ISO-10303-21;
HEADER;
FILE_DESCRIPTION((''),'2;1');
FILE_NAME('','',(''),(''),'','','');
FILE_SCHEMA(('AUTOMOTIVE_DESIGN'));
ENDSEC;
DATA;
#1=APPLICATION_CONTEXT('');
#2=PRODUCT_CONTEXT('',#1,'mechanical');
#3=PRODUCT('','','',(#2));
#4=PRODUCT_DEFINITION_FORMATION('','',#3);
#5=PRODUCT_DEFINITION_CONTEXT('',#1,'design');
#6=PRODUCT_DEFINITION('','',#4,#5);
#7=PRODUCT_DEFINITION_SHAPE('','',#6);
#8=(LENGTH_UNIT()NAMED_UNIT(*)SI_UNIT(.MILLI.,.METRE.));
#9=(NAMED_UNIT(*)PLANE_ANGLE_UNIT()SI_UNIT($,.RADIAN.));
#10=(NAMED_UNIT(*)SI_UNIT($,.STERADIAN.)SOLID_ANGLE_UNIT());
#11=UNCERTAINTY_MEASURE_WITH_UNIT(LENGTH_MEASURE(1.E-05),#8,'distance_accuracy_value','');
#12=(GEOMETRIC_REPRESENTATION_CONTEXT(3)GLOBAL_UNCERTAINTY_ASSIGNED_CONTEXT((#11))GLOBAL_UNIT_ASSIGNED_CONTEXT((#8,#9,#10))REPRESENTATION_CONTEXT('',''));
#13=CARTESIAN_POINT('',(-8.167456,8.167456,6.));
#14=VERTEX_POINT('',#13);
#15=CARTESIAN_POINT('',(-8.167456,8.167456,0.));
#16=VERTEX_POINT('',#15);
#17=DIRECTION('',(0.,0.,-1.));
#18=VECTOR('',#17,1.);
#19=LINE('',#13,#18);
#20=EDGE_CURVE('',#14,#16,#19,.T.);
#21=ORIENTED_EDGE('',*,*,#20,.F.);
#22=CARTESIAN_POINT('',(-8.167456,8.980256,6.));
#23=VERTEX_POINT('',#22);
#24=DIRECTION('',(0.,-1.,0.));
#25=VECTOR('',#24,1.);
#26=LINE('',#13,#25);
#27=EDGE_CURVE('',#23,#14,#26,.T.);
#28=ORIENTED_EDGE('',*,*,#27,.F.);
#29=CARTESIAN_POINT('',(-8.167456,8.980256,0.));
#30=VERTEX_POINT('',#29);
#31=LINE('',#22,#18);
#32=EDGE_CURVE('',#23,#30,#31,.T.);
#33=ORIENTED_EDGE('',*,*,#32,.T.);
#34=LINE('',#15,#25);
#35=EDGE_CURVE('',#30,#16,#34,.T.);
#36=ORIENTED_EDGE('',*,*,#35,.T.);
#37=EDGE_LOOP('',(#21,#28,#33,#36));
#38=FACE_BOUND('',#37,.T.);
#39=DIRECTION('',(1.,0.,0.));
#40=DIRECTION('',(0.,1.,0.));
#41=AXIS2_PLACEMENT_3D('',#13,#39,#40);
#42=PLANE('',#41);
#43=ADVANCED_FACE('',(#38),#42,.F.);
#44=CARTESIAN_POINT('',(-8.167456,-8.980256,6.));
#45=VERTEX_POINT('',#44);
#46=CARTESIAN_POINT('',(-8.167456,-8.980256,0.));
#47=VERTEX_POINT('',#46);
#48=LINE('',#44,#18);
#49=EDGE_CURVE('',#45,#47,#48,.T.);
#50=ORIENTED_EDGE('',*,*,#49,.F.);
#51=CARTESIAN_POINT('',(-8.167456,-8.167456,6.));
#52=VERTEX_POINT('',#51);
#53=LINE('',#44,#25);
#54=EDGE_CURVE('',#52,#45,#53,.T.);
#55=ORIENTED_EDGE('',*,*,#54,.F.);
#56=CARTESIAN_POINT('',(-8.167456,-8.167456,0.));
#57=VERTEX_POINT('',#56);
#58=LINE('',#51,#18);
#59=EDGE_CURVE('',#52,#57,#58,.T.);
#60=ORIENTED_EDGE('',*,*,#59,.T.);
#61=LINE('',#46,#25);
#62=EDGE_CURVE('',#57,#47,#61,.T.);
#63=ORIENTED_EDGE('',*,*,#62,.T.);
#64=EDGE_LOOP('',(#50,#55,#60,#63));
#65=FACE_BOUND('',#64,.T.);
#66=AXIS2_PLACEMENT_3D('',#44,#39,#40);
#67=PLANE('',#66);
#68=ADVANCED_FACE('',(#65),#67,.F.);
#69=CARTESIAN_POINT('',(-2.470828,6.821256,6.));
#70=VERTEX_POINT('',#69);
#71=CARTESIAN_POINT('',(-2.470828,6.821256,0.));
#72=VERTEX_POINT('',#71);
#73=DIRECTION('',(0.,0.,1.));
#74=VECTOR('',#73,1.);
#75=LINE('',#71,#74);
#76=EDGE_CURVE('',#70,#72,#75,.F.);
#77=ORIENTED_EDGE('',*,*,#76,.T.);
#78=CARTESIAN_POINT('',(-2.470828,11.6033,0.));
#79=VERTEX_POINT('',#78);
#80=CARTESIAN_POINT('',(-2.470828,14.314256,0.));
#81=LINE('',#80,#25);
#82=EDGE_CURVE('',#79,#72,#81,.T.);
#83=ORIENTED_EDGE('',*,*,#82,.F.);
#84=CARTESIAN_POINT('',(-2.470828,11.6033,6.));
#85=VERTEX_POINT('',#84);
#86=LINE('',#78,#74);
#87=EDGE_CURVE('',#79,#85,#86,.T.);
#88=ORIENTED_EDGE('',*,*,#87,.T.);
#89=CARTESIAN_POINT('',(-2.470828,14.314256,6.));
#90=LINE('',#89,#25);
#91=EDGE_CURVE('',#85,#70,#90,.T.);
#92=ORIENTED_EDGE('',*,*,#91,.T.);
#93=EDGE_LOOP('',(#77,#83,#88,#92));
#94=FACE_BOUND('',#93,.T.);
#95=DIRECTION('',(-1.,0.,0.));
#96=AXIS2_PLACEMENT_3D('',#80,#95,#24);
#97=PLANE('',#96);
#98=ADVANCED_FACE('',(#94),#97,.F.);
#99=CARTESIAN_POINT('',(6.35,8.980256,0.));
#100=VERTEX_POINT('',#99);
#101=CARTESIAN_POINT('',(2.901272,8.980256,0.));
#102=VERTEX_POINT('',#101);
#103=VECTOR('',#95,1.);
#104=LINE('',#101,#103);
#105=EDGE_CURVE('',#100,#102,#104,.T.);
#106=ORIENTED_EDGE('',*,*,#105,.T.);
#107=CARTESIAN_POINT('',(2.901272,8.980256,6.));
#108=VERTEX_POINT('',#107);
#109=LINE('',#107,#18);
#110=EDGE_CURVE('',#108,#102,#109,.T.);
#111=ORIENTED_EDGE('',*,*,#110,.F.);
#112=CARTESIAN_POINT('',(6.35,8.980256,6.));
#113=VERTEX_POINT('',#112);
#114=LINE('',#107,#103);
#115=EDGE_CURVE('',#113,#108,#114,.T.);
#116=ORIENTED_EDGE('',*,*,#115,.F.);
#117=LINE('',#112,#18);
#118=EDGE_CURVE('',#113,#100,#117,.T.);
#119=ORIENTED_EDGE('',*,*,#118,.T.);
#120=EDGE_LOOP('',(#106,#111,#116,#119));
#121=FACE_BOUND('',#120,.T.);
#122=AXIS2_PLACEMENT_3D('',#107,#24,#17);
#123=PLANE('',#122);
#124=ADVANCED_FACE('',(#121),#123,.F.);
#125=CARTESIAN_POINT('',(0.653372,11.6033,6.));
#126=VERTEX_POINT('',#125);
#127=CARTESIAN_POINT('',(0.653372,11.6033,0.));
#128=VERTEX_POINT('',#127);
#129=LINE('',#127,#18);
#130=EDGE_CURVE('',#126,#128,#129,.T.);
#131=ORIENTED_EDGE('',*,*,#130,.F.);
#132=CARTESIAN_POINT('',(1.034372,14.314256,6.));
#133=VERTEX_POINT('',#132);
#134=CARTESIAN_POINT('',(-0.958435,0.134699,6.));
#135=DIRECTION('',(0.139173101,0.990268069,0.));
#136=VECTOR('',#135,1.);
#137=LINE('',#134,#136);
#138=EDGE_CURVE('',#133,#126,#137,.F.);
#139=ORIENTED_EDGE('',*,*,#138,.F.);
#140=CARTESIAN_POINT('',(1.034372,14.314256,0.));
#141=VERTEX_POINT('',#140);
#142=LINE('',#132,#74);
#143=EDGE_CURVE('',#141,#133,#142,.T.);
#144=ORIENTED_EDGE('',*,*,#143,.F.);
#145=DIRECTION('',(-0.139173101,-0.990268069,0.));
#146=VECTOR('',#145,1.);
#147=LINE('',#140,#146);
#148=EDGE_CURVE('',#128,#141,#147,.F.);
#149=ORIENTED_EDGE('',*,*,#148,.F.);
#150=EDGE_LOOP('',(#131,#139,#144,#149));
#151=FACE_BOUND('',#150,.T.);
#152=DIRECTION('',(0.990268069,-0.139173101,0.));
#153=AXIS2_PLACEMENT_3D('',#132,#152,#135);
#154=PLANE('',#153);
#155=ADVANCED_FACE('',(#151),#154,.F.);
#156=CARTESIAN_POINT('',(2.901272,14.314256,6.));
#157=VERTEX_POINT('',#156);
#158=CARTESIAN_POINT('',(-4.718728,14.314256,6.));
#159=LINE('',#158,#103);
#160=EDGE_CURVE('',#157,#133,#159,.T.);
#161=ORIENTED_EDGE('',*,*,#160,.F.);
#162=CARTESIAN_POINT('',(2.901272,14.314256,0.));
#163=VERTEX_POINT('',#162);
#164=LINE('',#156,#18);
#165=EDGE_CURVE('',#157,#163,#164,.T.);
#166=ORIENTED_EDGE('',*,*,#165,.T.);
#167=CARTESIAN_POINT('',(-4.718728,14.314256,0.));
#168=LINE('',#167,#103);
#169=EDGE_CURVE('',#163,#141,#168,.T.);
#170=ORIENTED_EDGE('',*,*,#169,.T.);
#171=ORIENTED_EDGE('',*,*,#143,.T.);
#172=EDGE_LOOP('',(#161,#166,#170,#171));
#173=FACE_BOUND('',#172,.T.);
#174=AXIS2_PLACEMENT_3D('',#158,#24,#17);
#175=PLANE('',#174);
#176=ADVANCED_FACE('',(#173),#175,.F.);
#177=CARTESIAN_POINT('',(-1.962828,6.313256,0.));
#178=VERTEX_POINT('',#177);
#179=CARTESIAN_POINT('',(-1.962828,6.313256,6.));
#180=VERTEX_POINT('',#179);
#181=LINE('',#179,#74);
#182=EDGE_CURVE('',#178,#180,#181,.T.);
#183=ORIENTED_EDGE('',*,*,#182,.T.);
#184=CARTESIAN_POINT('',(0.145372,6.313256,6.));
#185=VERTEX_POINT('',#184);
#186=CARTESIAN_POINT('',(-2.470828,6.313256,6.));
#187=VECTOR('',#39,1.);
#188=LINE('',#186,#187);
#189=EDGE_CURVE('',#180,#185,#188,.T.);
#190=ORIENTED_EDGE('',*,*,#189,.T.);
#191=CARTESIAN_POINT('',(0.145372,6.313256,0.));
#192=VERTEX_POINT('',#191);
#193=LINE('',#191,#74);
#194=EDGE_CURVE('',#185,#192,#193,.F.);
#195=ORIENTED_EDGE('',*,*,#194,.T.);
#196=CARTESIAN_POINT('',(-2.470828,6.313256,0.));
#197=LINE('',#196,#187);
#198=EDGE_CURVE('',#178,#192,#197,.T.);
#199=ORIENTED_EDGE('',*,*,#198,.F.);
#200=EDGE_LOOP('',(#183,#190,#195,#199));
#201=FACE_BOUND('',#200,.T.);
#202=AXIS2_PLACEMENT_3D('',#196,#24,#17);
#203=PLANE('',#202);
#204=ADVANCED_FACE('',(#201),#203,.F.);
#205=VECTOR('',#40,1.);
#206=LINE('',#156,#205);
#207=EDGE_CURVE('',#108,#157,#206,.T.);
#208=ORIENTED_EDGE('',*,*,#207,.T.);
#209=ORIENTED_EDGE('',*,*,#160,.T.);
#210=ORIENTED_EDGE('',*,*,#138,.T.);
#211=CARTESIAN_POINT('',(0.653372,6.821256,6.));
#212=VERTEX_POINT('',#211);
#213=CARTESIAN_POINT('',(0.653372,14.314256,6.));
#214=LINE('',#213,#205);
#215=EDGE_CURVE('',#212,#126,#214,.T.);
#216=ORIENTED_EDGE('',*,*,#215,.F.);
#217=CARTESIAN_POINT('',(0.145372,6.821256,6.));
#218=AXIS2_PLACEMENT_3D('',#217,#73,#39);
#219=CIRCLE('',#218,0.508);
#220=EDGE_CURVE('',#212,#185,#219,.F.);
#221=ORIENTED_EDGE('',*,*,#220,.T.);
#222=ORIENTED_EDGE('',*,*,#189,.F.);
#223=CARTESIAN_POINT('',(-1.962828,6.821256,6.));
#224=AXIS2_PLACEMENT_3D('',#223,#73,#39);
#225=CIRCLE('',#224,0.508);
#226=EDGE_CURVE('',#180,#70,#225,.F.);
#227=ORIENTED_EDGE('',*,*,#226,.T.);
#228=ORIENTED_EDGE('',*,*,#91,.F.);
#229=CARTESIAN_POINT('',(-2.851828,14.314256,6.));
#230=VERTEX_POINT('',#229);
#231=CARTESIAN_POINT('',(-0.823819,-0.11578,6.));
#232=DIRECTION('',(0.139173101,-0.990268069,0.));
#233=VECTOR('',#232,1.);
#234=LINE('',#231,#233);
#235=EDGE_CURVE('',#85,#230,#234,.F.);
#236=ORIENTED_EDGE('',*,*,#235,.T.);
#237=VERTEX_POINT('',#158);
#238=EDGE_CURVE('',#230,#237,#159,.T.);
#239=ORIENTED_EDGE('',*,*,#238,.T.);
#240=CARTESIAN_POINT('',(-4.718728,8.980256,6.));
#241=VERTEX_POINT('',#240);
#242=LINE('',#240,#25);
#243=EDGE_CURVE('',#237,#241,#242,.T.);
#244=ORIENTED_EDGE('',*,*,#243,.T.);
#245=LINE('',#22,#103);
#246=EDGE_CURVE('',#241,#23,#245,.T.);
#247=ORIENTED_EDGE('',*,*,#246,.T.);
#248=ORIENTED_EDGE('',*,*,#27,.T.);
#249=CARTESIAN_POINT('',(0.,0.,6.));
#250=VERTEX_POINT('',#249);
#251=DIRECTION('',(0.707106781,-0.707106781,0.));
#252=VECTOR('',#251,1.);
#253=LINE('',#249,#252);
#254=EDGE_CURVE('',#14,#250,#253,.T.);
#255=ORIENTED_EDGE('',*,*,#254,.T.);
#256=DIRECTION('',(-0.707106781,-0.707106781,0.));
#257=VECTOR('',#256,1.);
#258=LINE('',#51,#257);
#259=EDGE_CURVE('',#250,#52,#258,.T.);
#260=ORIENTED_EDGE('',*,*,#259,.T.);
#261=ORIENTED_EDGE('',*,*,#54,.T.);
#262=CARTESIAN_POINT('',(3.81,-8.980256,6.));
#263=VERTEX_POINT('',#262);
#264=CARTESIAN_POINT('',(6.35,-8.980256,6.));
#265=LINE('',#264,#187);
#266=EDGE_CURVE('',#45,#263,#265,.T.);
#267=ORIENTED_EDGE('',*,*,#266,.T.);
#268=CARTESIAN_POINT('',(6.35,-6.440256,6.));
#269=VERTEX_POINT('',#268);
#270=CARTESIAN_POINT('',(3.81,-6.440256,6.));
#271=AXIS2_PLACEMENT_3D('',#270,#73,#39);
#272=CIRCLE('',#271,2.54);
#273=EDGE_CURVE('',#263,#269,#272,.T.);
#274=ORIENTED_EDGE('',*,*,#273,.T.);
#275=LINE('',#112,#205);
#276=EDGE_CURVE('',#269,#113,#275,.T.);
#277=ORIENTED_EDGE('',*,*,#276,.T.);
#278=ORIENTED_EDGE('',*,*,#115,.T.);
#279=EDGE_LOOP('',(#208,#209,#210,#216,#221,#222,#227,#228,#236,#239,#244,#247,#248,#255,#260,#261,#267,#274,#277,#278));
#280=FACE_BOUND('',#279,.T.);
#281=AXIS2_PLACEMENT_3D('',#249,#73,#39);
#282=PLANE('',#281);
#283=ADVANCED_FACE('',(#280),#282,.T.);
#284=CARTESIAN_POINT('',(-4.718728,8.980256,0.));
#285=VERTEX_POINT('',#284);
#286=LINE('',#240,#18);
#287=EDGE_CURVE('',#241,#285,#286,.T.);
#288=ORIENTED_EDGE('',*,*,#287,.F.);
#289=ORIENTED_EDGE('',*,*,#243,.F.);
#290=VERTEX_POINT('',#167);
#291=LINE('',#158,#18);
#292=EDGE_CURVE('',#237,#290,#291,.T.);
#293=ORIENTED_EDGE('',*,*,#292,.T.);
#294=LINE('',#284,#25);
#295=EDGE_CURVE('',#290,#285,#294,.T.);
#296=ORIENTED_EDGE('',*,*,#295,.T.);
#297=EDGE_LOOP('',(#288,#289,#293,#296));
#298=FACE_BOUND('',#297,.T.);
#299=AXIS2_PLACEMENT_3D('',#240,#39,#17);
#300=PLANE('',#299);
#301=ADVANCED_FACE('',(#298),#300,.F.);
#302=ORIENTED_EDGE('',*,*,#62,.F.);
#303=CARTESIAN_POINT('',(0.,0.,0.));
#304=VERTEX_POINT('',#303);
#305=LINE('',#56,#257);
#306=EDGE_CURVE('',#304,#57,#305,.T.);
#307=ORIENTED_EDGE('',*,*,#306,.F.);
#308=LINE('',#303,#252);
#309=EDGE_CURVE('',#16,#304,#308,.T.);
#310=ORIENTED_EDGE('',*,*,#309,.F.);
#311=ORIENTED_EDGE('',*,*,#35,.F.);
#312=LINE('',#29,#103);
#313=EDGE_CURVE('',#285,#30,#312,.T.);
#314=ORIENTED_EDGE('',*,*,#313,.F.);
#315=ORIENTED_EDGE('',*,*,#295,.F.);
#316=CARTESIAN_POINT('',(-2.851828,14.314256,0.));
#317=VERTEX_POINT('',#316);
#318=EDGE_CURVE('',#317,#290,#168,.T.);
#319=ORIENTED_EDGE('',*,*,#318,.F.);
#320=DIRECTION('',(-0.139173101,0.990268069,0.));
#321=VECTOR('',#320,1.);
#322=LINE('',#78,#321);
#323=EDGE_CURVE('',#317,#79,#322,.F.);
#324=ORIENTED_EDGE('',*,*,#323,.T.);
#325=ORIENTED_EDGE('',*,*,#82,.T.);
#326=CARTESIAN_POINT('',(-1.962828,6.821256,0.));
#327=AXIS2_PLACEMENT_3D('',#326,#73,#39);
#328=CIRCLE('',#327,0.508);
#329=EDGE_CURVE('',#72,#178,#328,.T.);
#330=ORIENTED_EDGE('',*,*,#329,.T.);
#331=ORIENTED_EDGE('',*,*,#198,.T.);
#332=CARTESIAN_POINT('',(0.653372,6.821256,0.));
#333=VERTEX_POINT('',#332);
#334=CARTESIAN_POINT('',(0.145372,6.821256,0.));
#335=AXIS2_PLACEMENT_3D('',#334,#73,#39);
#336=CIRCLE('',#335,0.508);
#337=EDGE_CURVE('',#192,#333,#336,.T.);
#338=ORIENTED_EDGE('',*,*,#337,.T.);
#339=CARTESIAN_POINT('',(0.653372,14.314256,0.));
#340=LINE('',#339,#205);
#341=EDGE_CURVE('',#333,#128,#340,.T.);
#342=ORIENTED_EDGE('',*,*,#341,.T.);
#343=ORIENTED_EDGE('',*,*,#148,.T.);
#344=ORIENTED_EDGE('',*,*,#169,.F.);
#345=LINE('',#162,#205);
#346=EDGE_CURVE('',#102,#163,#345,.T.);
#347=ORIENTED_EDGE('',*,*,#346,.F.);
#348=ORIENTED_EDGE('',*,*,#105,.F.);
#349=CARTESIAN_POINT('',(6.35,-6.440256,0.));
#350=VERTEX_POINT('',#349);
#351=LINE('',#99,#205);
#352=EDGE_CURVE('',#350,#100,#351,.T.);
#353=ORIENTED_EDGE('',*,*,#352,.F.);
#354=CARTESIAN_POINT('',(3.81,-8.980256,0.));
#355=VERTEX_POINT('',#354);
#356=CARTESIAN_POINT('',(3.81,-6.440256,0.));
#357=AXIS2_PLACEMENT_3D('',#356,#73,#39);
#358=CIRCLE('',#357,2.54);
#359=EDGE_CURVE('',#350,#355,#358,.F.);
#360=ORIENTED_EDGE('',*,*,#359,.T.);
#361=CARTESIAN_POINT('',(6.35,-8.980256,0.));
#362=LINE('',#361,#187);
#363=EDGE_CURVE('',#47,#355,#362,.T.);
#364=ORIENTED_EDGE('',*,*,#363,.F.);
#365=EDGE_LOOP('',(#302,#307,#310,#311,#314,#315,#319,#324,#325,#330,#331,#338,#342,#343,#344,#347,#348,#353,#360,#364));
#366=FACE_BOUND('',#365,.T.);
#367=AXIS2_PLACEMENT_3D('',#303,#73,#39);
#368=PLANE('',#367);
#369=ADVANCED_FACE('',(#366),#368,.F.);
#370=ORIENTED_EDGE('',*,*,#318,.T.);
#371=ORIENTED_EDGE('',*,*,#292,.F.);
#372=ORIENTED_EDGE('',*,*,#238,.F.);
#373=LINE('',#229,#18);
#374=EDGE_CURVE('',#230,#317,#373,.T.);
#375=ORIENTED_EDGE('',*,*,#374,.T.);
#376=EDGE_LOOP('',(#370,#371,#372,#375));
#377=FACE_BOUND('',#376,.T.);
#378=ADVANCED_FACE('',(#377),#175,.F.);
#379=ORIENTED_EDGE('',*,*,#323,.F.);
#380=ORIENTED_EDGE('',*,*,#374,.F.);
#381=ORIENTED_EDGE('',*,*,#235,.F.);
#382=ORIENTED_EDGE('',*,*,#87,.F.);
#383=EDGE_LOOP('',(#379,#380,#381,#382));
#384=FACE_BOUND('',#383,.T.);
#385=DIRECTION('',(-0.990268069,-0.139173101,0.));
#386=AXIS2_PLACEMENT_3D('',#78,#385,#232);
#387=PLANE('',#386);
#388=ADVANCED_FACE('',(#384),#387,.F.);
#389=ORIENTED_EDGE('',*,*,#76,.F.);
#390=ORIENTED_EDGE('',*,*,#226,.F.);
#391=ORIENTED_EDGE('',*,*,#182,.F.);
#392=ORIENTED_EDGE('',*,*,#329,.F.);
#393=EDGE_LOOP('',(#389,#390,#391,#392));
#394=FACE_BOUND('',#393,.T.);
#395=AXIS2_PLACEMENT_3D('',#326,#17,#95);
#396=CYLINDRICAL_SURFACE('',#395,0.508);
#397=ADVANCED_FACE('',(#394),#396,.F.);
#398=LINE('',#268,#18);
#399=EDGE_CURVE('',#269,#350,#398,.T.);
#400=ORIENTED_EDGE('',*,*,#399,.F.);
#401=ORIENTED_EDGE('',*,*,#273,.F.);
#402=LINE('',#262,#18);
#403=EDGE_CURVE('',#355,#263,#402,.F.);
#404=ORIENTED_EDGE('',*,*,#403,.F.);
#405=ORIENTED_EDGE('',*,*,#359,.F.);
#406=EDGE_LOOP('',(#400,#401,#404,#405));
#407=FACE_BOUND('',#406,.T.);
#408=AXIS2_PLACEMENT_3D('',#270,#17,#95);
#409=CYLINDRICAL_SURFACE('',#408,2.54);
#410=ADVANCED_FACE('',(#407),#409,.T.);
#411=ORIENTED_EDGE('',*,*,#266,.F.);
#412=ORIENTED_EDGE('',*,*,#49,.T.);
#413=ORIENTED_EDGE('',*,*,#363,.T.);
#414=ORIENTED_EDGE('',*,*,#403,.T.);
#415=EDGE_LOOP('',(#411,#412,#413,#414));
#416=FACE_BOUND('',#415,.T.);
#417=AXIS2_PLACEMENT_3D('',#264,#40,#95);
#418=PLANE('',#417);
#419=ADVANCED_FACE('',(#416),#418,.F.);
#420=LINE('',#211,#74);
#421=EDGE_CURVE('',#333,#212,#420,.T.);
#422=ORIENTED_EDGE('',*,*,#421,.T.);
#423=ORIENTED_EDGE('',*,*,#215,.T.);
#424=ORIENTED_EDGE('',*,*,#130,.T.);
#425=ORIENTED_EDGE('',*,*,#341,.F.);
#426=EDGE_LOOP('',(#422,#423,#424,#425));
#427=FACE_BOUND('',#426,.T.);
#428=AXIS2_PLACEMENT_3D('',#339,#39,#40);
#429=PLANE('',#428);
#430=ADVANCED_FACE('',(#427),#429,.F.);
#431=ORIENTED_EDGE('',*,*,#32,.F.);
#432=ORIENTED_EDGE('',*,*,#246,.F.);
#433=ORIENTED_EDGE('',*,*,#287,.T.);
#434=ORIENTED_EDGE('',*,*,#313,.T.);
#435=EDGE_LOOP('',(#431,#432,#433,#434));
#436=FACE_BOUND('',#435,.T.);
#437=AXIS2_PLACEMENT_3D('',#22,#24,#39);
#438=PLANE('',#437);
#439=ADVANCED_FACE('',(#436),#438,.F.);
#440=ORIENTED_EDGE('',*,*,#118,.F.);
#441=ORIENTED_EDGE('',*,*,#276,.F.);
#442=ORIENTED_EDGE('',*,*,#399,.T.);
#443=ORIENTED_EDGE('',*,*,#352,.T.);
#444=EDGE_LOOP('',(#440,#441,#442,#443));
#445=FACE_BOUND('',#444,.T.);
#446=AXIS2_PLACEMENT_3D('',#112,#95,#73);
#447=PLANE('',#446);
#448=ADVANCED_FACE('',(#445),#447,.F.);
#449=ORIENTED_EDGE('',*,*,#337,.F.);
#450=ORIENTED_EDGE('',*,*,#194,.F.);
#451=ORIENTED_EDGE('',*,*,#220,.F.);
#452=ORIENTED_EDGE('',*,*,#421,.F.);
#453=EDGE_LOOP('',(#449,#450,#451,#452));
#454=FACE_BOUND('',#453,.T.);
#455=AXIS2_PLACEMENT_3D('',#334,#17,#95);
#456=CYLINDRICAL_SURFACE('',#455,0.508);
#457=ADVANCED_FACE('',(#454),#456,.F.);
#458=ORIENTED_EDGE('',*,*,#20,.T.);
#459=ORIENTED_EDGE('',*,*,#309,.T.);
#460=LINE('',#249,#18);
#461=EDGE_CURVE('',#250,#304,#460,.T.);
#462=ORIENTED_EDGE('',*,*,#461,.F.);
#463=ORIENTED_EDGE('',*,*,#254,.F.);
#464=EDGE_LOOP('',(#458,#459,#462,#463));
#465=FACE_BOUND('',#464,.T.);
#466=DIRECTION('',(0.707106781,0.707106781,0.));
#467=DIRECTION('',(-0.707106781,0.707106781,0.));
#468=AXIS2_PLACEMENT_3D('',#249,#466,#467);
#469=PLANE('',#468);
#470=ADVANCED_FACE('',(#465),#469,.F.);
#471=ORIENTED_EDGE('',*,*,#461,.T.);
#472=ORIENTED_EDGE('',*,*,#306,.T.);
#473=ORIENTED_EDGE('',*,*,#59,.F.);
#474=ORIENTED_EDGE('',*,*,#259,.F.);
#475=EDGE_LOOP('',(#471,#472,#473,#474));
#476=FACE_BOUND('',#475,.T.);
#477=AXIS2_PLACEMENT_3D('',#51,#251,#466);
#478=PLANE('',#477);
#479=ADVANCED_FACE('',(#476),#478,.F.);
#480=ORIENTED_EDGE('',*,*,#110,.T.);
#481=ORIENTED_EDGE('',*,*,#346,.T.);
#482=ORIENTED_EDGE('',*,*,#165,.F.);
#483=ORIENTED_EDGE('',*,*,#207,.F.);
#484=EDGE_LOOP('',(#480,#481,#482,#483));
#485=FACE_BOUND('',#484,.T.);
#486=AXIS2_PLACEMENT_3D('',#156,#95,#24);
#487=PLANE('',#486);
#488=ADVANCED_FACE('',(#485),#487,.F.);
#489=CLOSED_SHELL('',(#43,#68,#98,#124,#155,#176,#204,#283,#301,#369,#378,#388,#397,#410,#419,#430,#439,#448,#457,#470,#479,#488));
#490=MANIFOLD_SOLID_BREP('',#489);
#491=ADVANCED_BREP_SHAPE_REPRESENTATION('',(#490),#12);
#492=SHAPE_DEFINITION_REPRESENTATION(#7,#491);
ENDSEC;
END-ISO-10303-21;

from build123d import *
from OCP.BRepFilletAPI import BRepFilletAPI_MakeChamfer

# Parameters (mm, degrees)
BOSS_EXTRUDE1_DEPTH = 6
FILLET1_R           = 2.54
SKETCH2_W           = 3.1242
SKETCH2_H           = 8.001
CUT_EXTRUDE1_DEPTH  = 18.538679192
CHAMFER1_SIZE       = 0.381
CHAMFER1_SIZE2      = 2.710955864
FILLET2_R           = 0.508


with BuildPart() as part:
    # Sketch1 → Boss-Extrude1 (new body)
    with BuildSketch(Plane.XY):
        Polygon((0, 0), (-8.167456121, 8.167456121), (-8.167456121, 8.980256121), (-4.718728061, 8.980256121), (-4.718728061, 14.314256121), (2.901271939, 14.314256121), (2.901271939, 8.980256121), (6.35, 8.980256121), (6.35, -8.980256121), (-8.167456121, -8.980256121), (-8.167456121, -8.167456121), align=None)
    extrude(amount=BOSS_EXTRUDE1_DEPTH)

    # Fillet1
    fillet1_edges = [part.edges().sort_by_distance(p)[0] for p in [
        (6.35, -8.980256121, 3),
    ]]
    fillet(fillet1_edges, radius=FILLET1_R)

    # Sketch2 → Cut-Extrude1 (cut, through all)
    with BuildSketch(Plane.XY.offset(6)):
        with Locations((-0.908728061, 10.313756121)):
            Rectangle(SKETCH2_W, SKETCH2_H)
    extrude(amount=-CUT_EXTRUDE1_DEPTH, mode=Mode.SUBTRACT)

    # Chamfer1: one chamfer whose edges measure the first distance from different faces: ONE call of the kernel's chamfer builder (chamfer() names one face for all edges)
    chamfer1_edges_1 = [part.edges().sort_by_distance(p)[0] for p in [
        (-2.470828061, 14.314256121, 3),
    ]]
    chamfer1_side_1 = [part.faces().sort_by_distance(p)[0] for p in [
        (-3.594778061, 14.314256121, 3),
    ]]
    chamfer1_edges_2 = [part.edges().sort_by_distance(p)[0] for p in [
        (0.653371939, 14.314256121, 3),
    ]]
    chamfer1_side_2 = [part.faces().sort_by_distance(p)[0] for p in [
        (1.777321939, 14.314256121, 3),
    ]]
    chamfer1 = BRepFilletAPI_MakeChamfer(part.part.solid().wrapped)
    for e in chamfer1_edges_1:
        chamfer1.Add(CHAMFER1_SIZE, CHAMFER1_SIZE2, e.wrapped, chamfer1_side_1[0].wrapped)  # the first distance lies on this face
    for e in chamfer1_edges_2:
        chamfer1.Add(CHAMFER1_SIZE, CHAMFER1_SIZE2, e.wrapped, chamfer1_side_2[0].wrapped)  # the first distance lies on this face
    add(Compound.cast(chamfer1.Shape()), mode=Mode.REPLACE)

    # Fillet2
    fillet2_edges = [part.edges().sort_by_distance(p)[0] for p in [
        (-2.470828061, 6.313256121, 3),
        (0.653371939, 6.313256121, 3),
    ]]
    fillet(fillet2_edges, radius=FILLET2_R)


solid = part.part
